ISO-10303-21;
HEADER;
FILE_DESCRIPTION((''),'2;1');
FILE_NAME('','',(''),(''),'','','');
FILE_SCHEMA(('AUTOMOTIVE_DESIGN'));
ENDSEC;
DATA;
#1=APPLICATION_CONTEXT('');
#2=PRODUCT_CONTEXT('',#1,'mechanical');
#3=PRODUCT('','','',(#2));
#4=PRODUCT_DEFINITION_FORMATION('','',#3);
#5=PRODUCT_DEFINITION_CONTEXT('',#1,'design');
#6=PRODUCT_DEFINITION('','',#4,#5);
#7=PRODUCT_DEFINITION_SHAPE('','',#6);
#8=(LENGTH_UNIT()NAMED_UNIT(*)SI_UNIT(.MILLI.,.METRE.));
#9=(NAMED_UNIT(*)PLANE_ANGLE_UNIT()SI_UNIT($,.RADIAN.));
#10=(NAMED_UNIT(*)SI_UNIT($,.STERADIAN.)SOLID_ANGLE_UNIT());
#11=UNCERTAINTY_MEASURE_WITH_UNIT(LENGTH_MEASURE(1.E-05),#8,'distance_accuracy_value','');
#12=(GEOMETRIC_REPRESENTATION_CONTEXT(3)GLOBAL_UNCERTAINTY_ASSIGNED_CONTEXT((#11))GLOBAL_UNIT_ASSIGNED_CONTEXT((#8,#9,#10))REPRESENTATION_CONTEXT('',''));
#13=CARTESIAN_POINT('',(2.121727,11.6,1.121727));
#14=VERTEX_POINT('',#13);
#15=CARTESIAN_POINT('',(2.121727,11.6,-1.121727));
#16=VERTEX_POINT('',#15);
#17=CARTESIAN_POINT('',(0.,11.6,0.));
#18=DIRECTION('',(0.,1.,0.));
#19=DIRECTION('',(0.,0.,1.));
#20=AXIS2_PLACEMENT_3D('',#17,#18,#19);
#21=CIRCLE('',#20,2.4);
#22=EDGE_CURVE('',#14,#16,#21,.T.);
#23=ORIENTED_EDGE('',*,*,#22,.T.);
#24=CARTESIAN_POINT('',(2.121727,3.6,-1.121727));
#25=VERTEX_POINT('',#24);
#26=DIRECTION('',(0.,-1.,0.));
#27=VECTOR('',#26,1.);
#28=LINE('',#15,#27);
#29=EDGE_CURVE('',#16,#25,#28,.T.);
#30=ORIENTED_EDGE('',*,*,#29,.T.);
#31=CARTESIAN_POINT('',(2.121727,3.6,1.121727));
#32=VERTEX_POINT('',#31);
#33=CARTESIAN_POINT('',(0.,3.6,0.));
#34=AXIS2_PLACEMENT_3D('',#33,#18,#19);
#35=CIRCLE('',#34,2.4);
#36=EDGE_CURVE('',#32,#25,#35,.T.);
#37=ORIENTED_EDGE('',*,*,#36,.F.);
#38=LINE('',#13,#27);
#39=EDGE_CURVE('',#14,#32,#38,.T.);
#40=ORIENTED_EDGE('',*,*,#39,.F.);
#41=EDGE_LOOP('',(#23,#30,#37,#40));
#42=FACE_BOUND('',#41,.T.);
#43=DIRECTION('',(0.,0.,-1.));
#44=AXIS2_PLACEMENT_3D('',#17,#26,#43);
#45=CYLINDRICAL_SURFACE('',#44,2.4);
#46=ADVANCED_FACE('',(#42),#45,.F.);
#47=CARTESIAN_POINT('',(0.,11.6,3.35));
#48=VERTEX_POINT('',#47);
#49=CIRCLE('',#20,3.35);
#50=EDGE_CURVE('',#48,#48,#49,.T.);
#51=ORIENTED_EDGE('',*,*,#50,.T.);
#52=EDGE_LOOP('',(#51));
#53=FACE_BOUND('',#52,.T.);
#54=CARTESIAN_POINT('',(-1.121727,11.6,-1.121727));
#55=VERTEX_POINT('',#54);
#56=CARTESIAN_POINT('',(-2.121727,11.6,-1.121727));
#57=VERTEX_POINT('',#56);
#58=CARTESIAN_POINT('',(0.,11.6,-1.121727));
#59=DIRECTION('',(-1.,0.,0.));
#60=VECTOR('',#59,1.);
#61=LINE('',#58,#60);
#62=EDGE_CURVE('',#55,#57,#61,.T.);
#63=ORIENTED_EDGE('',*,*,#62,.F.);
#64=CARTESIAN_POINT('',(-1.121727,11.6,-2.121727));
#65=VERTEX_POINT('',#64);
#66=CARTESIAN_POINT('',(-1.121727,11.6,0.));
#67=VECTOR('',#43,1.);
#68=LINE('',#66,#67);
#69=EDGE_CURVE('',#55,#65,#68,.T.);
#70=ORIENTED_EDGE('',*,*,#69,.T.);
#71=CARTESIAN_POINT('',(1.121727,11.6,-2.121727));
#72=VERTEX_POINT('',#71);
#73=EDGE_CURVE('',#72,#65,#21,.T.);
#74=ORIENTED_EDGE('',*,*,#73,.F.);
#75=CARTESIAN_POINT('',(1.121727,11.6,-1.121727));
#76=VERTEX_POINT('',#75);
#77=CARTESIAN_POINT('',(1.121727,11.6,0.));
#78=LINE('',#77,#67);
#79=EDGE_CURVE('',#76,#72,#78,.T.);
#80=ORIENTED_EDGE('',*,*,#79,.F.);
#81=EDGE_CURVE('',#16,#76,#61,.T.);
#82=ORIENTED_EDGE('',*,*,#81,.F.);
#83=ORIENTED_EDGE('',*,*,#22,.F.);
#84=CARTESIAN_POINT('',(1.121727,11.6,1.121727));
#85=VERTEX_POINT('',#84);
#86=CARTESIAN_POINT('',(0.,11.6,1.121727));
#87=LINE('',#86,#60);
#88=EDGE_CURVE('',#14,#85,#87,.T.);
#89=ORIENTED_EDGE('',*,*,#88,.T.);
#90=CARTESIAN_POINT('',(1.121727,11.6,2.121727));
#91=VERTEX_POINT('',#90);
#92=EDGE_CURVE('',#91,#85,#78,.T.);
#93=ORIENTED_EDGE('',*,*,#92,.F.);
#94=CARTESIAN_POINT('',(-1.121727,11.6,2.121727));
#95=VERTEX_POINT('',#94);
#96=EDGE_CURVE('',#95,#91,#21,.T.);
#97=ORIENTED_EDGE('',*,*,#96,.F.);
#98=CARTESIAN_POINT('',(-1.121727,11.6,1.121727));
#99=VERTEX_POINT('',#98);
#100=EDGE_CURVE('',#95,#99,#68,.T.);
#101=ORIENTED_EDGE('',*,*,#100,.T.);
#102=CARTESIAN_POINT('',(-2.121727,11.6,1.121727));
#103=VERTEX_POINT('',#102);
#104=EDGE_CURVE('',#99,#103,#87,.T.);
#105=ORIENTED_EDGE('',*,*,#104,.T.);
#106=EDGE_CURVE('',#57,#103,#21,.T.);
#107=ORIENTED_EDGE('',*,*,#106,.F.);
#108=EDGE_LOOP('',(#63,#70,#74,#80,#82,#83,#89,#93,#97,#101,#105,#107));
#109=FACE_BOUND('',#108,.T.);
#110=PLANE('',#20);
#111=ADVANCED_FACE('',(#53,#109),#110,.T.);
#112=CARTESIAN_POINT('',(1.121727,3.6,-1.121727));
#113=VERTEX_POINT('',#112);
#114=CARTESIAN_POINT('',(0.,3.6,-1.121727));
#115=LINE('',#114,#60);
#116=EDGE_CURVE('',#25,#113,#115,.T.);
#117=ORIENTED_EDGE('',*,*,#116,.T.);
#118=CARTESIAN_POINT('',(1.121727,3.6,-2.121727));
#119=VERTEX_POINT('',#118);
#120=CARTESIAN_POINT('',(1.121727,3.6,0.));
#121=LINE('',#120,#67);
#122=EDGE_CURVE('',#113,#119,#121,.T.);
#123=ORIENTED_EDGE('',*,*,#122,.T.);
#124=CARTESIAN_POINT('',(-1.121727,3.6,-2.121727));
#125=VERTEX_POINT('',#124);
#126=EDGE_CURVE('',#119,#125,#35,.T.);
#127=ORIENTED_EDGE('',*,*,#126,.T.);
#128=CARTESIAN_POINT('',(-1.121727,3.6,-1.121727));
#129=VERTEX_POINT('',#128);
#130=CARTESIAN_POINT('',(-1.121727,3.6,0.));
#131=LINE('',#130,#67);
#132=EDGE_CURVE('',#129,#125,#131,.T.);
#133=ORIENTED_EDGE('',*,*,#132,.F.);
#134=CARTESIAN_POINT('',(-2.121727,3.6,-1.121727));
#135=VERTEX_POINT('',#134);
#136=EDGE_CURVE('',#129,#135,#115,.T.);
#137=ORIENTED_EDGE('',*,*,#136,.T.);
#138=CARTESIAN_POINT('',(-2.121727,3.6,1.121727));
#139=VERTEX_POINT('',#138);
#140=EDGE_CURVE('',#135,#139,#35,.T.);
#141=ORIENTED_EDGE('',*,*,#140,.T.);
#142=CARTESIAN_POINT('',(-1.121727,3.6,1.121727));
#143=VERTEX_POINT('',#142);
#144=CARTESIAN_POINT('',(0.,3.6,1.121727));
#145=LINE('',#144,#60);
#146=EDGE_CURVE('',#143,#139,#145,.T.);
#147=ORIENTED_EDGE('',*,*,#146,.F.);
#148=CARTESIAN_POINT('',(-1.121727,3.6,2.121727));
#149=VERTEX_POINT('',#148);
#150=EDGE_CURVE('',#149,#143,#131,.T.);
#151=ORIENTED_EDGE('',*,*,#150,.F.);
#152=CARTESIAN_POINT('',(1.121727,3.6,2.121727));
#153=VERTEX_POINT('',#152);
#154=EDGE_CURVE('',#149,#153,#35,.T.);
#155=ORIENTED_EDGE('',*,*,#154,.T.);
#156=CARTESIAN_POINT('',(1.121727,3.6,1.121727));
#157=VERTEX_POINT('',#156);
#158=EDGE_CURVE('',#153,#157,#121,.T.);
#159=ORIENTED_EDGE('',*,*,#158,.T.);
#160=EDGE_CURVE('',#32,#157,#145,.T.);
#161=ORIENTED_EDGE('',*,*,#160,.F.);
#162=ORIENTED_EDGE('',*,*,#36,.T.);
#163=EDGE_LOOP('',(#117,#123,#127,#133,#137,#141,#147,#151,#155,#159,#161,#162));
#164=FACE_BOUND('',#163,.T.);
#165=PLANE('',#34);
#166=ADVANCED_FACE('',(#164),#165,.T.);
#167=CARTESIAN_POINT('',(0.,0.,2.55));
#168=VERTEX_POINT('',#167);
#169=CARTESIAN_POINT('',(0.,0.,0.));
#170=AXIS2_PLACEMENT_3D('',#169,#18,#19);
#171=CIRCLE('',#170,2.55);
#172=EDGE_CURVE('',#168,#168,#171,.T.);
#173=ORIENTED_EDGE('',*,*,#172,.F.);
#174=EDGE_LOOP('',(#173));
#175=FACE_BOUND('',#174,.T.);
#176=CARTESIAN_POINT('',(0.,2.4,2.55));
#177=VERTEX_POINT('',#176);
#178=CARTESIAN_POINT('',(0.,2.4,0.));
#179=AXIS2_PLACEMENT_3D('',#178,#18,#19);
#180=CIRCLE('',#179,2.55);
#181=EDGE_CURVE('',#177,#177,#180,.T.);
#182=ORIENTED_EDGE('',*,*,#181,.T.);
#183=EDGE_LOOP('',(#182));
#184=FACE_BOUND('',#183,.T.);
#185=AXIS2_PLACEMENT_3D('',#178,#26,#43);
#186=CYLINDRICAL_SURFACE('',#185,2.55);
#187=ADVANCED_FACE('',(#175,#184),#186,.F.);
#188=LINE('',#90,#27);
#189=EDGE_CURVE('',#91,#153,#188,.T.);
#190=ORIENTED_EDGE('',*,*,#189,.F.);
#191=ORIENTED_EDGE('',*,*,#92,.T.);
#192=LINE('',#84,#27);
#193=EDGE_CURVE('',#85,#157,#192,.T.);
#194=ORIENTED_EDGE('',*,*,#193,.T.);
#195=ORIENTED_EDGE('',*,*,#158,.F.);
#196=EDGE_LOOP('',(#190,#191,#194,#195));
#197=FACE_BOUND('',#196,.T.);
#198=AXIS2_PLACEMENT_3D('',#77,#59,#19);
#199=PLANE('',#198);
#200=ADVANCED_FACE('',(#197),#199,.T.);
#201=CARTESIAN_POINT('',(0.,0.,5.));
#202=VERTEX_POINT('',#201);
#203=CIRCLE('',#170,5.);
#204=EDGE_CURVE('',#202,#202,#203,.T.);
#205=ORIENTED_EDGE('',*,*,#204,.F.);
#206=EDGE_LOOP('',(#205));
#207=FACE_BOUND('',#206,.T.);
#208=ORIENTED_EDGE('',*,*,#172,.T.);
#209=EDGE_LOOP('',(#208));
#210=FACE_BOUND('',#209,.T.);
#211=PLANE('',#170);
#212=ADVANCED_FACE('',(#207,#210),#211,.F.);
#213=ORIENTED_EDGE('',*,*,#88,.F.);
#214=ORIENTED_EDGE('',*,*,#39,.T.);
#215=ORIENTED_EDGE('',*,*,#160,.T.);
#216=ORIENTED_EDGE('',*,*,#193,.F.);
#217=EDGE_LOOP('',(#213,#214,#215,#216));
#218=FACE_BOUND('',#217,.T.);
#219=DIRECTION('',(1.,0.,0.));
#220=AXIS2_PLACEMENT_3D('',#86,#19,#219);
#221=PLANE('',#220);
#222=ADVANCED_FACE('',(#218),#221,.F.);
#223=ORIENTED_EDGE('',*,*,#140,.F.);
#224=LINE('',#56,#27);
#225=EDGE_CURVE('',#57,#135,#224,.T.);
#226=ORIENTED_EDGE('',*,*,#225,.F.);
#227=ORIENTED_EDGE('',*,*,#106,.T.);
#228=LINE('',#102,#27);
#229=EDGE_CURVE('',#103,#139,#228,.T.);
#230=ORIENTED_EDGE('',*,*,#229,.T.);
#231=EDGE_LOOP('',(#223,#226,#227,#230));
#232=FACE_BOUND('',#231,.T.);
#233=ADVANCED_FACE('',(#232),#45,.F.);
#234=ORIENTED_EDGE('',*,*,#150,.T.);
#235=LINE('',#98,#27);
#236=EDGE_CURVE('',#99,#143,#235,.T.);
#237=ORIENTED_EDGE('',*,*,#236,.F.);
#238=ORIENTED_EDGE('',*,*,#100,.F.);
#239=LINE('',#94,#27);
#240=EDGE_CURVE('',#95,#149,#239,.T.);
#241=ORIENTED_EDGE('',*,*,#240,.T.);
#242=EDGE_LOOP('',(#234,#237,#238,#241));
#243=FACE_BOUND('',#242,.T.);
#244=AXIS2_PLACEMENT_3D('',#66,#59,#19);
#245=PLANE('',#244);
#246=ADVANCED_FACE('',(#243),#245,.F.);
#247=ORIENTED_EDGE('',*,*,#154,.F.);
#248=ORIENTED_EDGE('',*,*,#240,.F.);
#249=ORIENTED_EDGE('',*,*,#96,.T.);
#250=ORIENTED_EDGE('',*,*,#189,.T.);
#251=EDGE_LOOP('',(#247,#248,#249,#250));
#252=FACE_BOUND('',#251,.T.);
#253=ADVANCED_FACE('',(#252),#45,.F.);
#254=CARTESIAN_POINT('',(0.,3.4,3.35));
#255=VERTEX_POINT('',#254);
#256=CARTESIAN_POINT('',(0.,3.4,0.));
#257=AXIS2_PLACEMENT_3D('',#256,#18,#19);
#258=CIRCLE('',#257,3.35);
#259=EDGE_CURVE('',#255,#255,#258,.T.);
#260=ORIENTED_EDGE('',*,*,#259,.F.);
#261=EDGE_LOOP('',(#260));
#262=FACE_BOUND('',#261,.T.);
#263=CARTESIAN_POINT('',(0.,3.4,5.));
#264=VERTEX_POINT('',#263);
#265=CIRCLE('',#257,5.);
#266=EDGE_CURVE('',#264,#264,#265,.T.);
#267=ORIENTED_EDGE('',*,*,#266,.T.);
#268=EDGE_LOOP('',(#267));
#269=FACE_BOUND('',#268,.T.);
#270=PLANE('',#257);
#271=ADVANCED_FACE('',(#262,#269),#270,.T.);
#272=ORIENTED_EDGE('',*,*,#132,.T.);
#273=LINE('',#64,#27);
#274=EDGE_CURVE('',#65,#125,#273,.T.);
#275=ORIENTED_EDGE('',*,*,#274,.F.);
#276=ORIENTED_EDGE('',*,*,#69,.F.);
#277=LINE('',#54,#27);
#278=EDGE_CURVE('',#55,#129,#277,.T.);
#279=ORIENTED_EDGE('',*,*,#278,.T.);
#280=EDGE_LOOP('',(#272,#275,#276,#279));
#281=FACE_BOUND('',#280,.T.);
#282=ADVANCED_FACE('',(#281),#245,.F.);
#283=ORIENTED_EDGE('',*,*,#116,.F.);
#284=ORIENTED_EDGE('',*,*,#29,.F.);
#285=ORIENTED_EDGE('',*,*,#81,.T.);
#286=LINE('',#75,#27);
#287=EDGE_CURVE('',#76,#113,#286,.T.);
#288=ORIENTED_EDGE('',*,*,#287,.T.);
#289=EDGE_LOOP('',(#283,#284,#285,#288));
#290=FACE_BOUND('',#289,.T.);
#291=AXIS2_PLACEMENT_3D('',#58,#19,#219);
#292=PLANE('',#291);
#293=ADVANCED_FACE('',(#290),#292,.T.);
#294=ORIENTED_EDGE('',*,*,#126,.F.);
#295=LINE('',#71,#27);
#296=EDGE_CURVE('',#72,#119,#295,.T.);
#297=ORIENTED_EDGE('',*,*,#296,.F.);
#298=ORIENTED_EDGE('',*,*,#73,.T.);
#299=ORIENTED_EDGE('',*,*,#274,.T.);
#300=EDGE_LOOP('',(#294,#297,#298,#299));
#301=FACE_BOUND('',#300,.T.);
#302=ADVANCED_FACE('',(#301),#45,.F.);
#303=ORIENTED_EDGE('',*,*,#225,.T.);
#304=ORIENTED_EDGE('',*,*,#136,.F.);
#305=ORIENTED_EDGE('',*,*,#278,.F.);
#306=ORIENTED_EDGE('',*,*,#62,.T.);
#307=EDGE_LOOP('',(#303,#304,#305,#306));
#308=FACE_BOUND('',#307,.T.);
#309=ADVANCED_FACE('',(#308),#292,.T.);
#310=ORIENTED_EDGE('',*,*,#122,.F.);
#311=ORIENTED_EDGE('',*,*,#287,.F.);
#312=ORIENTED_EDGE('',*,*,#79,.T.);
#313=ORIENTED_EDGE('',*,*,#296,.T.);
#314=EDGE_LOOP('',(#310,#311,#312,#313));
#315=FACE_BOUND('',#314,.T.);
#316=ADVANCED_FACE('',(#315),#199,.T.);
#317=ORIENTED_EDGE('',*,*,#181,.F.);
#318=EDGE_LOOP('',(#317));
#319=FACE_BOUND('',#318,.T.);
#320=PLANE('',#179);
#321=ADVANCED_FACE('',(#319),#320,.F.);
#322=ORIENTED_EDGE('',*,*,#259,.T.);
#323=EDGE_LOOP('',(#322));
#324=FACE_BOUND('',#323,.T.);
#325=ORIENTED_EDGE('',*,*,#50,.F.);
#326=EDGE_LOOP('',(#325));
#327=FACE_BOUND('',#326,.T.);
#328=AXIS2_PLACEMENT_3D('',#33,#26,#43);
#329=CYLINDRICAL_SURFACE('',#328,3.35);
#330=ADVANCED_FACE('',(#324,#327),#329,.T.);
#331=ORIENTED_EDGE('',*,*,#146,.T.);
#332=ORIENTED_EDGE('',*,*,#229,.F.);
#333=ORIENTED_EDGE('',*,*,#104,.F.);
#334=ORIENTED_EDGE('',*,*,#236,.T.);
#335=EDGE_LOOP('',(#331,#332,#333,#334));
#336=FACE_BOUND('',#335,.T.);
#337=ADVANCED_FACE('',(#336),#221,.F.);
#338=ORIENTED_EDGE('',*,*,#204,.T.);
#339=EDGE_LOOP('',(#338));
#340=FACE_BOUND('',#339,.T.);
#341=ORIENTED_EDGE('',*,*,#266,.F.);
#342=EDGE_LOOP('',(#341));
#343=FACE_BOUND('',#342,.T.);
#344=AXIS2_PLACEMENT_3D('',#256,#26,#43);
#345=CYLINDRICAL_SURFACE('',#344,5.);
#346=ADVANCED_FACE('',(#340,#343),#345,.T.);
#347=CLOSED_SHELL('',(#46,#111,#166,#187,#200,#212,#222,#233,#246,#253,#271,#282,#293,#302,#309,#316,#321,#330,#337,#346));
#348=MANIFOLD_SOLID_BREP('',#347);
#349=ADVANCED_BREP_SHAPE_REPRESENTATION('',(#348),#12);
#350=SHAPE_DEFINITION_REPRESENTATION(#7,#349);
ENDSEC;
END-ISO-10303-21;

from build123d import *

# Parameters (mm, degrees)
SKETCH_1_R          = 5
EXTRUDE_1_DEPTH     = 3.4
SKETCH_1_3_R        = 2.55
CUT_EXTRUDE_1_DEPTH = 2.4
SKETCH_2_R          = 3.35
EXTRUDE_2_DEPTH     = 0.2
EXTRUDE_START       = 0.2
SKETCH_2_3_R        = 3.35
SKETCH_2_3_R_2      = 2.4
EXTRUDE_3_DEPTH     = 8


with BuildPart() as part:
    # 草图1 → 凸台-拉伸1 (new body)
    with BuildSketch(Plane(origin=(0, 0, 0), x_dir=(1, 0, 0), z_dir=(0, 1, 0))):
        with Locations(Location((0, 0, 0), (0, 0, 270))):
            Circle(SKETCH_1_R)
    extrude(amount=EXTRUDE_1_DEPTH)

    # 草图1<3> → 切除-拉伸1 (cut)
    with BuildSketch(Plane(origin=(0, 0, 0), x_dir=(1, 0, 0), z_dir=(0, 1, 0))):
        with Locations(Location((0, 0, 0), (0, 0, 270))):
            Circle(SKETCH_1_3_R)
    extrude(amount=CUT_EXTRUDE_1_DEPTH, mode=Mode.SUBTRACT)

    # 草图2 → 凸台-拉伸2 (add)
    with BuildSketch(Plane(origin=(0, 3.4, 0), x_dir=(1, 0, 0), z_dir=(0, 1, 0))):
        with Locations(Location((0, 0, 0), (0, 0, 270))):
            Circle(SKETCH_2_R)
    extrude(amount=EXTRUDE_2_DEPTH)

    # 草图2<3> → 凸台-拉伸3 (add)
    # profile 1 of 5: a face of its own
    with BuildSketch(Plane(origin=(0, 3.4, 0), x_dir=(1, 0, 0), z_dir=(0, 1, 0)).offset(EXTRUDE_START)):
        with Locations(Location((0, 0, 0), (0, 0, 270))):
            Circle(SKETCH_2_3_R)
        Circle(SKETCH_2_3_R_2, mode=Mode.SUBTRACT)
    # profile 2 of 5: a face of its own
    with BuildSketch(Plane(origin=(0, 3.4, 0), x_dir=(1, 0, 0), z_dir=(0, 1, 0)).offset(EXTRUDE_START)):
        with BuildLine():
            Line((-1.121727474, 1.121727474), (-1.121727474, 2.121727474))
            ThreePointArc((-1.121727474, 2.121727474), (-1.697056275, 1.697056275), (-2.121727474, 1.121727474))
            Line((-2.121727474, 1.121727474), (-1.121727474, 1.121727474))
        make_face()
    # profile 3 of 5: a face of its own
    with BuildSketch(Plane(origin=(0, 3.4, 0), x_dir=(1, 0, 0), z_dir=(0, 1, 0)).offset(EXTRUDE_START)):
        with BuildLine():
            ThreePointArc((2.121727474, 1.121727474), (1.697056275, 1.697056275), (1.121727474, 2.121727474))
            Line((1.121727474, 2.121727474), (1.121727474, 1.121727474))
            Line((1.121727474, 1.121727474), (2.121727474, 1.121727474))
        make_face()
    # profile 4 of 5: a face of its own
    with BuildSketch(Plane(origin=(0, 3.4, 0), x_dir=(1, 0, 0), z_dir=(0, 1, 0)).offset(EXTRUDE_START)):
        with BuildLine():
            Line((-1.121727474, -2.121727474), (-1.121727474, -1.121727474))
            Line((-1.121727474, -1.121727474), (-2.121727474, -1.121727474))
            ThreePointArc((-2.121727474, -1.121727474), (-1.697056275, -1.697056275), (-1.121727474, -2.121727474))
        make_face()
    # profile 5 of 5: a face of its own
    with BuildSketch(Plane(origin=(0, 3.4, 0), x_dir=(1, 0, 0), z_dir=(0, 1, 0)).offset(EXTRUDE_START)):
        with BuildLine():
            Line((2.121727474, -1.121727474), (1.121727474, -1.121727474))
            Line((1.121727474, -1.121727474), (1.121727474, -2.121727474))
            ThreePointArc((1.121727474, -2.121727474), (1.697056275, -1.697056275), (2.121727474, -1.121727474))
        make_face()
    extrude(amount=EXTRUDE_3_DEPTH)


solid = part.part
